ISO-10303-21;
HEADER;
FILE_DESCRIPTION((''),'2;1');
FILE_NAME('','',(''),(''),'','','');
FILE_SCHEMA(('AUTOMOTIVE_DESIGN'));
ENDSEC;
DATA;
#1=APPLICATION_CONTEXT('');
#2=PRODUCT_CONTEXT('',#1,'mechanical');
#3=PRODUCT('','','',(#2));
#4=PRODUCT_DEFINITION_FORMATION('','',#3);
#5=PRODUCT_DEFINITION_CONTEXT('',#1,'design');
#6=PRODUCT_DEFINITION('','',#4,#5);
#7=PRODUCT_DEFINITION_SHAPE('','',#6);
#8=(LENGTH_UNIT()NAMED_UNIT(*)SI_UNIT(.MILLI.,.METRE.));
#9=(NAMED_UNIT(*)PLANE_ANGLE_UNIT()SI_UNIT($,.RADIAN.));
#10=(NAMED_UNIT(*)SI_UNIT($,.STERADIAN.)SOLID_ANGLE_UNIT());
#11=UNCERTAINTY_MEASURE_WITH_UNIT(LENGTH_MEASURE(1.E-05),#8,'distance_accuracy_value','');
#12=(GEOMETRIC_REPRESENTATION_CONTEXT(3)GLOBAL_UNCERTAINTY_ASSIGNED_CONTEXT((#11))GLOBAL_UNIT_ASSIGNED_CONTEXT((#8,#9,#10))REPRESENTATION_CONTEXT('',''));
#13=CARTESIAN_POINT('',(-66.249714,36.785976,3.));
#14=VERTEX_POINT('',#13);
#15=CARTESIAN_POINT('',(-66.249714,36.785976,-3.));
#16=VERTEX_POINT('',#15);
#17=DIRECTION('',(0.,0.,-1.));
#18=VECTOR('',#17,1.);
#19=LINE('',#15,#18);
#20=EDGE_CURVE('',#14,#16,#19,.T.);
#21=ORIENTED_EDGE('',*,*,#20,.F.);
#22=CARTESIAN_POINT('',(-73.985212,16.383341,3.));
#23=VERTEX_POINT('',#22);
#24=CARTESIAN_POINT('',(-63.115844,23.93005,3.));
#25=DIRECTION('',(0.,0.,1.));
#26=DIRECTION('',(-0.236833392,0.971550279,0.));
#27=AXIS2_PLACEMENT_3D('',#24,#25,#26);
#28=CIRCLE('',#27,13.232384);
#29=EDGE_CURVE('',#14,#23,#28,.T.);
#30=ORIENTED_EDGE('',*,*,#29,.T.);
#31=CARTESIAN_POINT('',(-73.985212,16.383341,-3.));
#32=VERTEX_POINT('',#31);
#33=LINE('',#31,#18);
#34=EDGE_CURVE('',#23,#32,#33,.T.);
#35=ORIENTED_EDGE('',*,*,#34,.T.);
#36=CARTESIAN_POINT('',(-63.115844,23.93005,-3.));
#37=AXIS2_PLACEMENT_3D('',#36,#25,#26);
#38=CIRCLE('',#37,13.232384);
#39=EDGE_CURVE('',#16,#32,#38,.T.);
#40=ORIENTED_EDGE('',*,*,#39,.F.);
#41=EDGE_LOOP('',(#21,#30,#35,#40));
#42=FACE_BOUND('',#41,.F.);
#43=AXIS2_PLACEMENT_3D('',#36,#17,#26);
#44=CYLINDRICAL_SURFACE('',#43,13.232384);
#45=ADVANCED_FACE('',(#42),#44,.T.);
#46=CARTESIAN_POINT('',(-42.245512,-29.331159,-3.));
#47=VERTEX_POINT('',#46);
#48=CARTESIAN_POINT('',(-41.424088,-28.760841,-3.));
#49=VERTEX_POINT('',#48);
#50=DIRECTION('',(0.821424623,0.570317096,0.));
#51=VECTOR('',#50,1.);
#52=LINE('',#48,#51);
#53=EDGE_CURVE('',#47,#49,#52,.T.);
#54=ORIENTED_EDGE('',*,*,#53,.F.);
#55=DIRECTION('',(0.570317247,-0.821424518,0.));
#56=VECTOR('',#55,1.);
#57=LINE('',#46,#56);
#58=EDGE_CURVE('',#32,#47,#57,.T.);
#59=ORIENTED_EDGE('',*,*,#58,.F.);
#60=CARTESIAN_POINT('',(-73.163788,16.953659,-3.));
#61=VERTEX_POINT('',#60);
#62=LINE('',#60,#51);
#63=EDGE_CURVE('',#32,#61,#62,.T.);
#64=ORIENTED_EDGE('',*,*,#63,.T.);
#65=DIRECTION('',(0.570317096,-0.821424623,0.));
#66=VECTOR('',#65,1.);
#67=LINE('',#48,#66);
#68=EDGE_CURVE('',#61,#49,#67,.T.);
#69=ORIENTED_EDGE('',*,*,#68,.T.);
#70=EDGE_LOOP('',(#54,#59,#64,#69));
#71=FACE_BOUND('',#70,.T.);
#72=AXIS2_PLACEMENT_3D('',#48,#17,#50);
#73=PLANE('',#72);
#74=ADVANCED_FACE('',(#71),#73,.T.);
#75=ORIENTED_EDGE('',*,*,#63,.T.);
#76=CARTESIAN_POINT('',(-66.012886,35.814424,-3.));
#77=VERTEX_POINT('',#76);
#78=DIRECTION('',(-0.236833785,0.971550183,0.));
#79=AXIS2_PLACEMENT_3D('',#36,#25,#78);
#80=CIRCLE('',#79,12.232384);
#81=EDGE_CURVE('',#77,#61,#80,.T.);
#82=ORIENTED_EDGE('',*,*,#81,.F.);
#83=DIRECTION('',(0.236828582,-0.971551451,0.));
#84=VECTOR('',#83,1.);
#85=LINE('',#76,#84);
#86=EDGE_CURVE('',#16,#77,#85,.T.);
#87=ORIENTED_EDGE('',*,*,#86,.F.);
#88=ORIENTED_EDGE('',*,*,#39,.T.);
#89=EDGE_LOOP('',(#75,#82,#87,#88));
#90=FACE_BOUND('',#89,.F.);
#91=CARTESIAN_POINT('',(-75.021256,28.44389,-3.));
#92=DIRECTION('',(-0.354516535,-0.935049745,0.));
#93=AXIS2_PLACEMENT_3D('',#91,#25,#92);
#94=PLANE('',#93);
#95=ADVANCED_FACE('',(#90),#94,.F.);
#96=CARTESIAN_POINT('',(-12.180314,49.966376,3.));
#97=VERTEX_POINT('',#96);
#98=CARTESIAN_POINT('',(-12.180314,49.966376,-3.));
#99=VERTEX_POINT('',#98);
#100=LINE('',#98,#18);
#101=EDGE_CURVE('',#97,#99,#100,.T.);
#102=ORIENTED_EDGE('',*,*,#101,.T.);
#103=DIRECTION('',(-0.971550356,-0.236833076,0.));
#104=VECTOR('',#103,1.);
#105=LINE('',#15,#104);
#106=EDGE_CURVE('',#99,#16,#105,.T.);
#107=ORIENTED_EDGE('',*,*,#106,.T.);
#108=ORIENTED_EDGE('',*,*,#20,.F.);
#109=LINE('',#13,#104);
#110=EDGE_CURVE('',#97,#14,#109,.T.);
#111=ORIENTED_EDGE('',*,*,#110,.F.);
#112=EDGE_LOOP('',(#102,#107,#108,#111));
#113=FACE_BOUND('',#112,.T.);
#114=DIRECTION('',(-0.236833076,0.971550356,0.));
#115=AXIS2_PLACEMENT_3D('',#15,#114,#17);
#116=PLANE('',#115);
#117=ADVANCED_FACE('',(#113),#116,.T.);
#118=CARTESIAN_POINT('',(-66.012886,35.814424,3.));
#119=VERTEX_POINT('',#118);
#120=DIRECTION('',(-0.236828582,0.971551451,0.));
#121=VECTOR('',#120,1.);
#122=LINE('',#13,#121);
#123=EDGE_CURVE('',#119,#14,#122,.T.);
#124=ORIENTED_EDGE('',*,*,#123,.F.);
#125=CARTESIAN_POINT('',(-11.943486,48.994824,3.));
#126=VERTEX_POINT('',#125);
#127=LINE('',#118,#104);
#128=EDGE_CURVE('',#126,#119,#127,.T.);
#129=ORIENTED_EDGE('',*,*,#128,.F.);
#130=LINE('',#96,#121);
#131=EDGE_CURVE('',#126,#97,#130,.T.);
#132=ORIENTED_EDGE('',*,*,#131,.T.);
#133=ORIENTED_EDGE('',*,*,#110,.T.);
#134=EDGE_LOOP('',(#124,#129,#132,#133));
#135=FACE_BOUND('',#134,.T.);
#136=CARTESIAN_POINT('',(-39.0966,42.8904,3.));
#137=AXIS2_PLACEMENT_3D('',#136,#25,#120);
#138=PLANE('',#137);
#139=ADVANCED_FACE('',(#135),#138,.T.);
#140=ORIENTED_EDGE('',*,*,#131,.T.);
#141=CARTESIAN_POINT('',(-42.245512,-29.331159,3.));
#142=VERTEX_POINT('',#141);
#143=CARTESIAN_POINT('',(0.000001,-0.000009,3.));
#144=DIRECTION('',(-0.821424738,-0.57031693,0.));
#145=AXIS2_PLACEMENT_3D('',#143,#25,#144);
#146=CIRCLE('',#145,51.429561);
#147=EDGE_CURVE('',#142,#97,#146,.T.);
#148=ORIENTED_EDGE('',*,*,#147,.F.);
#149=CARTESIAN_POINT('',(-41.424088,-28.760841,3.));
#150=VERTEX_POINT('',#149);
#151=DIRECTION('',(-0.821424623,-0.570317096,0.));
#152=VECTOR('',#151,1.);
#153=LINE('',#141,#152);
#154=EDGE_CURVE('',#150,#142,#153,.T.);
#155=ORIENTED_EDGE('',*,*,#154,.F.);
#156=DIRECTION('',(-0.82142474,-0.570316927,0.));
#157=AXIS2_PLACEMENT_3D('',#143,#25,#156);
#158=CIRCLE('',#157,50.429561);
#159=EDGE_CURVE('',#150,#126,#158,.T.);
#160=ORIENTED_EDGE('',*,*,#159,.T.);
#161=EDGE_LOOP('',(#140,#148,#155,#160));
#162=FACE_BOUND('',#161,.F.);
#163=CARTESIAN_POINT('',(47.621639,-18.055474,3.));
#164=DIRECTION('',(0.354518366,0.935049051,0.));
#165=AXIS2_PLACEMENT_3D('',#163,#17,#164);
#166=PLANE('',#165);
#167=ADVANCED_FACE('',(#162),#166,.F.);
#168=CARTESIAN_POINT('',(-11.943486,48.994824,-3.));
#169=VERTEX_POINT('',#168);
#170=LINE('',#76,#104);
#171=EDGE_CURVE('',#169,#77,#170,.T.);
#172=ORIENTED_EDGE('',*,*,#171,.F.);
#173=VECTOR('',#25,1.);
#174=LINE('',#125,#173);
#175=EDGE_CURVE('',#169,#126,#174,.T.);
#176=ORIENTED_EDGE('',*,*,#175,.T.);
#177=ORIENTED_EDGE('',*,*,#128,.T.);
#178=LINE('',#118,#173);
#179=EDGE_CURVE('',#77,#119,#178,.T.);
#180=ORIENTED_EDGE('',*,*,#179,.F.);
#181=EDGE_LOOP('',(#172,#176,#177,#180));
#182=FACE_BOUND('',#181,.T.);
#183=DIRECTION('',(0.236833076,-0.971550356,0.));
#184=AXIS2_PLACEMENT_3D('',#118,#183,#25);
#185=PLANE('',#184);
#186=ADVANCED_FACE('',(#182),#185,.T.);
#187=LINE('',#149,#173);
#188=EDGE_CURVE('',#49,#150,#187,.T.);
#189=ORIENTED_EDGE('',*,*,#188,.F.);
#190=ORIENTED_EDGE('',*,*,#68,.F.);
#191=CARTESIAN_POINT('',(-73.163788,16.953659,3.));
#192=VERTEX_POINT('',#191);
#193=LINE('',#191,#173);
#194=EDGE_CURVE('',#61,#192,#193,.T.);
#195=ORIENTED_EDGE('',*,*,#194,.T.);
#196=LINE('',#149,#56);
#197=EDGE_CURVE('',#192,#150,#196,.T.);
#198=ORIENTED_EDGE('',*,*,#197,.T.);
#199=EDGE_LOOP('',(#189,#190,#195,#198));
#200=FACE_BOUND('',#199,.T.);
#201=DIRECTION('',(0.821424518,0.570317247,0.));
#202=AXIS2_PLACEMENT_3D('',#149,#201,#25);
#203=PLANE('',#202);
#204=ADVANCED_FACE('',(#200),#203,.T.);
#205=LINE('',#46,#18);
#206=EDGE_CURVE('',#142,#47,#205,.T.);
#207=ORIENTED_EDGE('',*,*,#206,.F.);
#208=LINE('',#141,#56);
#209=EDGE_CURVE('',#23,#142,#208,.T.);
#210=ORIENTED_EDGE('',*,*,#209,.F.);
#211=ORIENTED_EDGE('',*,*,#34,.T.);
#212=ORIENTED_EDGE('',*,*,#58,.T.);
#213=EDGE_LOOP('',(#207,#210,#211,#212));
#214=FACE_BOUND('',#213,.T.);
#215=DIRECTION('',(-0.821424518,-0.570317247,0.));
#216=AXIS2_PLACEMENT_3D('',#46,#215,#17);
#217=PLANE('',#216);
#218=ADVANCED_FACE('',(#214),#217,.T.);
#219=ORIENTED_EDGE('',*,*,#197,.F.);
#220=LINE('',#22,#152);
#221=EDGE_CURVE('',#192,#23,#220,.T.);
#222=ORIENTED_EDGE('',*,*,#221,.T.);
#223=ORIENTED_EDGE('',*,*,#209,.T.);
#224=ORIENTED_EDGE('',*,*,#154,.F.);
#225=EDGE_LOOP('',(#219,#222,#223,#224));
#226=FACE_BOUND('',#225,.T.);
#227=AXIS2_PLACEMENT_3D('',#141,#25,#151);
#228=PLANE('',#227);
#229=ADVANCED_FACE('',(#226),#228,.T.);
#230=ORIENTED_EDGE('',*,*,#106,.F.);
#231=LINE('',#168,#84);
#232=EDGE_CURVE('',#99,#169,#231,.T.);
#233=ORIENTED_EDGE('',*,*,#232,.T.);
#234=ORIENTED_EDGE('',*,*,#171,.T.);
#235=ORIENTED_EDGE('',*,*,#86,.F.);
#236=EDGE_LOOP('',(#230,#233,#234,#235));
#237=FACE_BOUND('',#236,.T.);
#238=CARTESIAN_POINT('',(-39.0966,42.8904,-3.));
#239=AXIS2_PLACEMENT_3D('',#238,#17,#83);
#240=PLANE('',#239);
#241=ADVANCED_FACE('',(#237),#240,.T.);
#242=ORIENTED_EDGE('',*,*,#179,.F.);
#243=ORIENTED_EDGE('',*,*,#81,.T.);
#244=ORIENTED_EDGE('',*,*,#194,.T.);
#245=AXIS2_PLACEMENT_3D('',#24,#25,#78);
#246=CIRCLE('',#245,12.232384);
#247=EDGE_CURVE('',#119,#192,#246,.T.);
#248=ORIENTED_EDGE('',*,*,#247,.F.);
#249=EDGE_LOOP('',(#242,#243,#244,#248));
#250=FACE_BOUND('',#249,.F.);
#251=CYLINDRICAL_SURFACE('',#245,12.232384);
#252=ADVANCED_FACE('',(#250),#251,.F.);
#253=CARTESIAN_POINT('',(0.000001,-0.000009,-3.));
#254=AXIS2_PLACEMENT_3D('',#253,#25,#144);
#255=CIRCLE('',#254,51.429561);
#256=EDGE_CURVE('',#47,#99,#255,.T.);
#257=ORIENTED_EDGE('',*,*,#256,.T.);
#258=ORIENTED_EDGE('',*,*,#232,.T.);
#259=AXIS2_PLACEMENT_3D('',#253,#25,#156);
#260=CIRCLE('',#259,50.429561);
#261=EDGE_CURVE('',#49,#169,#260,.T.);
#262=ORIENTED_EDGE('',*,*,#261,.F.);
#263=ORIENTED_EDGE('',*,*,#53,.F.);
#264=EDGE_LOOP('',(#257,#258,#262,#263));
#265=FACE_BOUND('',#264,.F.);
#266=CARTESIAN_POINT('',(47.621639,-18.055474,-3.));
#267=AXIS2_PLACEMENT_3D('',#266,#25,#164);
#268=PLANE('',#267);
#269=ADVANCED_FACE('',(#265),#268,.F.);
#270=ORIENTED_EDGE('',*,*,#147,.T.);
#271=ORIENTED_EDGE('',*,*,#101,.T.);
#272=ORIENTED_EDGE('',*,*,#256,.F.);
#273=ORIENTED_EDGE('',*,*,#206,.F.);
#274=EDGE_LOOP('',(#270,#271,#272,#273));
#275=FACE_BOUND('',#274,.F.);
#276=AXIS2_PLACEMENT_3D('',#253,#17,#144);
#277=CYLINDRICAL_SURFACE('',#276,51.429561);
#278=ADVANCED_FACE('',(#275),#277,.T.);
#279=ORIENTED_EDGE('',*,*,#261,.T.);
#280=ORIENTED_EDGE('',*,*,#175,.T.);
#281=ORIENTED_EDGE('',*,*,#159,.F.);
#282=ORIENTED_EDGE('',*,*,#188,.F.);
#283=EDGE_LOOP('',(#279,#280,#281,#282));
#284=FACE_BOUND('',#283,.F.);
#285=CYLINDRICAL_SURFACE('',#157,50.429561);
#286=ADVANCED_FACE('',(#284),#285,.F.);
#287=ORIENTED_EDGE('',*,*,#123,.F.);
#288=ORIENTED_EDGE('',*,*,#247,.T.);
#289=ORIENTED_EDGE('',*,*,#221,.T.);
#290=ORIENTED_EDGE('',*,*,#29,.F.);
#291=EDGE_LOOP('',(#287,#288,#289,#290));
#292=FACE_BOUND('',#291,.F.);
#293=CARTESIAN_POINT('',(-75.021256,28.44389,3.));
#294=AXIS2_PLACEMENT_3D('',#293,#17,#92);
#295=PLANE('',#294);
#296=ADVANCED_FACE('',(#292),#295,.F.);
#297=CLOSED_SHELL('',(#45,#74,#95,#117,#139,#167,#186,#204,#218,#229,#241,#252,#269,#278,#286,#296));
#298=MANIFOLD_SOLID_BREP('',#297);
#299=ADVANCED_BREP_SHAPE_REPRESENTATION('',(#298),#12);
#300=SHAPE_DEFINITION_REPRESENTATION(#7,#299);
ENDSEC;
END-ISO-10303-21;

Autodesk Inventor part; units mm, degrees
sketch "Trayectoria de boceto" plane through (0, 0, 0) normal (0, 0, 1) x (1, 0, 0)
  arc A0 (-66.1313, 36.3002) -> (-73.5745, 16.6685) centre (-63.1158, 23.93) ccw
  arc A1 (-41.8348, -29.046) -> (-12.0619, 49.4806) centre (0, 0) ccw
  line L0 (-41.8348, -29.046) -> (-73.5745, 16.6685)
  line L1 (-66.1313, 36.3002) -> (-12.0619, 49.4806)
ref_plane "Plano de sección transversal" through (-73.5745, 16.6685, 0) normal (0.5703, -0.8214, 0) x (0, 0, 1)
ref_plane "Plano de trabajo2" through (-63.1158, 23.93, 0) normal (-1, 0, 0) x (0, 0, 1)
ref_plane "Plano de trabajo3" through (0, 0, 0) normal (-0.9816, -0.191, 0) x (0, 0, 1)
sketch "Sección transversal" plane through (-73.5745, 16.6685, 0) normal (0.5703, -0.8214, 0) x (0, 0, 1)
  line L0 (-3, 0.5) -> (3, 0.5)
  line L1 (3, 0.5) -> (3, -0.5)
  line L2 (3, -0.5) -> (-3, -0.5)
  line L3 (-3, -0.5) -> (-3, 0.5)
  line L4 (-3, 0) -> (3, 0) construction
  point P0 (0, 0)
  point P1 (0, 0)
  dimension "d0" = 6
  dimension "d4" = 0.5
  dimension "d5" = 0.5
sweep "Correa" add profiles "Sección transversal" path "Trayectoria de boceto"
equation "\"d0\" = da_B"
equation "\"d4\" = da_a"
equation "\"d5\" = da_a2"
equation "\"da_B\" = 6"
equation "\"da_pb\" = 5"
equation "\"da_L\" = 357.25706"
equation "\"da_a\" = 0.5"
equation "\"da_S\" = 2.65"
equation "\"da_Beta\" = 20deg"
equation "\"da_Ht\" = 1.2"
equation "\"da_H\" = 2.2"
equation "\"da_a2\" = 0.5"
properties part number "Correa síncrona" material "Rubber"
